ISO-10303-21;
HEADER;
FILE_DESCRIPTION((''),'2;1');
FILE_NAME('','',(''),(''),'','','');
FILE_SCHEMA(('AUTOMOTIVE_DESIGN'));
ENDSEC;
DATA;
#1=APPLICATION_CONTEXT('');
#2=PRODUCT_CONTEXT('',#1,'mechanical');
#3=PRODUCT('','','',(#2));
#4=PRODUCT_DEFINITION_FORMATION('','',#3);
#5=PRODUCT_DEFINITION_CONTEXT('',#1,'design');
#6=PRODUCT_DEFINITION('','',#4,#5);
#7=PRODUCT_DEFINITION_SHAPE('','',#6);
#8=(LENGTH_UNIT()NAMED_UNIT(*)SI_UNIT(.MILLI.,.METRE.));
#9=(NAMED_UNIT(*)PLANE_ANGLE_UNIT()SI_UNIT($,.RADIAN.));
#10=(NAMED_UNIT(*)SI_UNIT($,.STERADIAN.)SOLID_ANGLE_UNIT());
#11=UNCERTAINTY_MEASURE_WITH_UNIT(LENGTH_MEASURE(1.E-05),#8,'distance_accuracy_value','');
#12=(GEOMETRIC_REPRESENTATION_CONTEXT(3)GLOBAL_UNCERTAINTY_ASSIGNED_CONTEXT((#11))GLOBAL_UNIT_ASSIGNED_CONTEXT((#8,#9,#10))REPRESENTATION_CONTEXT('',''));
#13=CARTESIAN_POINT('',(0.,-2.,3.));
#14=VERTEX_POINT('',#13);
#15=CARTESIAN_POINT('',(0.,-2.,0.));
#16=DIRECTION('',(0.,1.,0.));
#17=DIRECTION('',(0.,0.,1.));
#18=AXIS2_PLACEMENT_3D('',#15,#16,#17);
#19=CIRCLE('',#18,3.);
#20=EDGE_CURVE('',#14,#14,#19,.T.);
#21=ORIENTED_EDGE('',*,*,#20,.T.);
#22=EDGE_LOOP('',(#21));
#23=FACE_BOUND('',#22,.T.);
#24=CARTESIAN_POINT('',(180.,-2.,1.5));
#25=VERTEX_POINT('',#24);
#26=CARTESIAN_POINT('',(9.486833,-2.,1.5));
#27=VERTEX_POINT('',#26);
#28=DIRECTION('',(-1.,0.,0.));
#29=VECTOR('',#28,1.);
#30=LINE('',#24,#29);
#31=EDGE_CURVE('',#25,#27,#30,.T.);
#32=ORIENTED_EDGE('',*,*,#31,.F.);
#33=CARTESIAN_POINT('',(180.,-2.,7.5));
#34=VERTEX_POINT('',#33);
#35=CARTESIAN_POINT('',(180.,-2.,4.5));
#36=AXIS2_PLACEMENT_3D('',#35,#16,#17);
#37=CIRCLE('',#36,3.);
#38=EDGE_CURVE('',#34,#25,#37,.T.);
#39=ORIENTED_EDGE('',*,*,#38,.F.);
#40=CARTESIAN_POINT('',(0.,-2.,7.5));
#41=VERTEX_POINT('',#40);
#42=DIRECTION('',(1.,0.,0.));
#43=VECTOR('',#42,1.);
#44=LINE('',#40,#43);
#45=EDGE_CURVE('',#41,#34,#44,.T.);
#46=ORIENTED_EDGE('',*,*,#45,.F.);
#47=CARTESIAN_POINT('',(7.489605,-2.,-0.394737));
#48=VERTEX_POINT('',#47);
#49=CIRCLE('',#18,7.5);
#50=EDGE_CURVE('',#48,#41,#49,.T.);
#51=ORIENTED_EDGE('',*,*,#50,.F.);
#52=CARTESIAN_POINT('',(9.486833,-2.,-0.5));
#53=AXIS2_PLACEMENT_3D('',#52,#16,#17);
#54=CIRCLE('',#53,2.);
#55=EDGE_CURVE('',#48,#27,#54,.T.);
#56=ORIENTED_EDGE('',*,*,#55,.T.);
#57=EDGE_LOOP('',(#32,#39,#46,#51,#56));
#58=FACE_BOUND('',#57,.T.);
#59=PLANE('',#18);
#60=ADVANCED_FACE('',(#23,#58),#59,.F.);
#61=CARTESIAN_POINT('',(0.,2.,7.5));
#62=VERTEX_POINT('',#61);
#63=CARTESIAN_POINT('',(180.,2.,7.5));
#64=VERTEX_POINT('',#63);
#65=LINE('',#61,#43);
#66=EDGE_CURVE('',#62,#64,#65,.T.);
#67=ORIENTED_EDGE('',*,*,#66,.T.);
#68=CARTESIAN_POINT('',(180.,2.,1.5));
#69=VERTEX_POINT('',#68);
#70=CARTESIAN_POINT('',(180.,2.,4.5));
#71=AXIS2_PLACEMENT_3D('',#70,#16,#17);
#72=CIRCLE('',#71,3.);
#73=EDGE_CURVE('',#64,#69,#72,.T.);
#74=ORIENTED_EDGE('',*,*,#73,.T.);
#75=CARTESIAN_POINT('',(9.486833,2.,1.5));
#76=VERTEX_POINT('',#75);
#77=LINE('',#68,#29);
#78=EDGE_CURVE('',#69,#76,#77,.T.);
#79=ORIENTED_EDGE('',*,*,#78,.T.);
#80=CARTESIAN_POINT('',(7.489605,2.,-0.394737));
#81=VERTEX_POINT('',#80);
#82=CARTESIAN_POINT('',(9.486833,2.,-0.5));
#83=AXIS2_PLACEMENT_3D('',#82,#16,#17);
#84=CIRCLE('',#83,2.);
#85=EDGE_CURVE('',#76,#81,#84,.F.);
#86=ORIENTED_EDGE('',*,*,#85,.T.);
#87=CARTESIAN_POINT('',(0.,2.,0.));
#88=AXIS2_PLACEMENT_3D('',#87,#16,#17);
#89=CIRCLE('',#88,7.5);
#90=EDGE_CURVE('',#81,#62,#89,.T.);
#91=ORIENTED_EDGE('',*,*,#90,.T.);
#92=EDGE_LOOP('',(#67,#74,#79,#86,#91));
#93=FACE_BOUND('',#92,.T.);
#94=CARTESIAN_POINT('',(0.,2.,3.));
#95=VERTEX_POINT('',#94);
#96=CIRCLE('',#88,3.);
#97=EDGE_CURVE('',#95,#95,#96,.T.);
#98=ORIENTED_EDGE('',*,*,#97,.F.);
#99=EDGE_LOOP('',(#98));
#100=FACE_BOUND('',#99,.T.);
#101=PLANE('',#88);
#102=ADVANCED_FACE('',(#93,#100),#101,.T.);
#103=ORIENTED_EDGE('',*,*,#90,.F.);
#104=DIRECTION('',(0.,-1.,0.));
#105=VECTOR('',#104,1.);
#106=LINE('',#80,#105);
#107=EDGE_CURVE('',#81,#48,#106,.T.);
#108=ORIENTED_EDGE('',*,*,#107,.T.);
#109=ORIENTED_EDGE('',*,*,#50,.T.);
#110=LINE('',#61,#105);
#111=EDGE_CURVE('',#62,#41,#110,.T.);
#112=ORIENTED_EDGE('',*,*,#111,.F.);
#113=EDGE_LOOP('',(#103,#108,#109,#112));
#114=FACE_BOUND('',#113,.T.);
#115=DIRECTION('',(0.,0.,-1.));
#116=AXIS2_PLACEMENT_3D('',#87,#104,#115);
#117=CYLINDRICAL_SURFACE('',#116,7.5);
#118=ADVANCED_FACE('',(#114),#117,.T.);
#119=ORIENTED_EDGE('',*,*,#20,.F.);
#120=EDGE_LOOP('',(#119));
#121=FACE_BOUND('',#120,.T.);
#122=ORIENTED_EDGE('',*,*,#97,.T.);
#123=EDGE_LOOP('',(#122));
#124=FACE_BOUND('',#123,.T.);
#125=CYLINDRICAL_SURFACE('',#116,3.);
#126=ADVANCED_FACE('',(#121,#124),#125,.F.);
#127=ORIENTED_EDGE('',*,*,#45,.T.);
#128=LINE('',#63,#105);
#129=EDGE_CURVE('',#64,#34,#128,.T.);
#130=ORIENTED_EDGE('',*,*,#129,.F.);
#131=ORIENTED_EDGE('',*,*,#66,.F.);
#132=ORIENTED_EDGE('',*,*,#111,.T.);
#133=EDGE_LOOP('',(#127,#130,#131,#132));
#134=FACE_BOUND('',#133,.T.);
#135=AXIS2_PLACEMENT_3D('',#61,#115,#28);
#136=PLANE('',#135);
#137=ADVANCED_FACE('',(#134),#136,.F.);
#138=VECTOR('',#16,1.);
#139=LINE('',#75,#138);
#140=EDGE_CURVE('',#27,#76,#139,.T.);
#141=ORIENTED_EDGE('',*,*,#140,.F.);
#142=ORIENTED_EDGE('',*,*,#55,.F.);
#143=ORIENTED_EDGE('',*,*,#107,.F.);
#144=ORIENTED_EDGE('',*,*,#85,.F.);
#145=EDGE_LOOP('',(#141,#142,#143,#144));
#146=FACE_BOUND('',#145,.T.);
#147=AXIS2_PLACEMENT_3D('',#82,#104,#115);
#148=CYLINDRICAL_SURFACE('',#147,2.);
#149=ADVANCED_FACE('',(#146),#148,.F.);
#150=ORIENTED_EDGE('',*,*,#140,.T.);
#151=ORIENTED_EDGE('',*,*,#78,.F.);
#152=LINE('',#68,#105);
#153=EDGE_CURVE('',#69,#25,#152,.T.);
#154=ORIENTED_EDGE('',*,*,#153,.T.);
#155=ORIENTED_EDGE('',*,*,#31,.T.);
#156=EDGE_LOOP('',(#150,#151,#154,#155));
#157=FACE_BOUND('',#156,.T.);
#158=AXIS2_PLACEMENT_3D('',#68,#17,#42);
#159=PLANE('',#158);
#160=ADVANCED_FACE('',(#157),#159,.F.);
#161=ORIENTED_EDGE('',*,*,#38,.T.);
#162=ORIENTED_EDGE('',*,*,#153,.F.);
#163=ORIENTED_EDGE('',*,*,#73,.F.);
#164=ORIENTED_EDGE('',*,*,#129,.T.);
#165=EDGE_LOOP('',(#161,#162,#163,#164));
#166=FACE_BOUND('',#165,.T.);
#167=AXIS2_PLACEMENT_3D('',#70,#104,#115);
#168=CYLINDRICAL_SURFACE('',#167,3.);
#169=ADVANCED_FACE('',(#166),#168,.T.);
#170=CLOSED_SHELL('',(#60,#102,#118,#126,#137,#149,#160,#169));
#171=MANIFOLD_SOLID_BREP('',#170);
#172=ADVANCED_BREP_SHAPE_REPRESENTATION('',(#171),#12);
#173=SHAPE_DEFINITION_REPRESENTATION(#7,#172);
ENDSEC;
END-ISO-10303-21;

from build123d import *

# Parameters (mm, degrees)
SKETCH1_R           = 3
BOSS_EXTRUDE1_DEPTH = 2
FILLET1_R           = 2


with BuildPart() as part:
    # Sketch1 → Boss-Extrude1 (new, symmetric)
    with BuildSketch(Plane(origin=(0, 0, 0), x_dir=(1, 0, 0), z_dir=(0, 1, 0))):
        with BuildLine():
            Line((0, -7.5), (180, -7.5))
            ThreePointArc((180, -7.5), (183, -4.5), (180, -1.5))
            Line((180, -1.5), (7.348469228, -1.5))
            ThreePointArc((7.348469228, -1.5), (-4.74341649, 5.809475019), (0, -7.5))
        make_face()
        with Locations(Location((0, 0, 0), (0, 0, 270))):
            Circle(SKETCH1_R, mode=Mode.SUBTRACT)
    extrude(amount=BOSS_EXTRUDE1_DEPTH, both=True)

    # Fillet1
    fillet1_edges = [part.edges().sort_by_distance(p)[0] for p in [
        (7.348469228, 0, 1.5),
    ]]
    fillet(fillet1_edges, radius=FILLET1_R)


solid = part.part
